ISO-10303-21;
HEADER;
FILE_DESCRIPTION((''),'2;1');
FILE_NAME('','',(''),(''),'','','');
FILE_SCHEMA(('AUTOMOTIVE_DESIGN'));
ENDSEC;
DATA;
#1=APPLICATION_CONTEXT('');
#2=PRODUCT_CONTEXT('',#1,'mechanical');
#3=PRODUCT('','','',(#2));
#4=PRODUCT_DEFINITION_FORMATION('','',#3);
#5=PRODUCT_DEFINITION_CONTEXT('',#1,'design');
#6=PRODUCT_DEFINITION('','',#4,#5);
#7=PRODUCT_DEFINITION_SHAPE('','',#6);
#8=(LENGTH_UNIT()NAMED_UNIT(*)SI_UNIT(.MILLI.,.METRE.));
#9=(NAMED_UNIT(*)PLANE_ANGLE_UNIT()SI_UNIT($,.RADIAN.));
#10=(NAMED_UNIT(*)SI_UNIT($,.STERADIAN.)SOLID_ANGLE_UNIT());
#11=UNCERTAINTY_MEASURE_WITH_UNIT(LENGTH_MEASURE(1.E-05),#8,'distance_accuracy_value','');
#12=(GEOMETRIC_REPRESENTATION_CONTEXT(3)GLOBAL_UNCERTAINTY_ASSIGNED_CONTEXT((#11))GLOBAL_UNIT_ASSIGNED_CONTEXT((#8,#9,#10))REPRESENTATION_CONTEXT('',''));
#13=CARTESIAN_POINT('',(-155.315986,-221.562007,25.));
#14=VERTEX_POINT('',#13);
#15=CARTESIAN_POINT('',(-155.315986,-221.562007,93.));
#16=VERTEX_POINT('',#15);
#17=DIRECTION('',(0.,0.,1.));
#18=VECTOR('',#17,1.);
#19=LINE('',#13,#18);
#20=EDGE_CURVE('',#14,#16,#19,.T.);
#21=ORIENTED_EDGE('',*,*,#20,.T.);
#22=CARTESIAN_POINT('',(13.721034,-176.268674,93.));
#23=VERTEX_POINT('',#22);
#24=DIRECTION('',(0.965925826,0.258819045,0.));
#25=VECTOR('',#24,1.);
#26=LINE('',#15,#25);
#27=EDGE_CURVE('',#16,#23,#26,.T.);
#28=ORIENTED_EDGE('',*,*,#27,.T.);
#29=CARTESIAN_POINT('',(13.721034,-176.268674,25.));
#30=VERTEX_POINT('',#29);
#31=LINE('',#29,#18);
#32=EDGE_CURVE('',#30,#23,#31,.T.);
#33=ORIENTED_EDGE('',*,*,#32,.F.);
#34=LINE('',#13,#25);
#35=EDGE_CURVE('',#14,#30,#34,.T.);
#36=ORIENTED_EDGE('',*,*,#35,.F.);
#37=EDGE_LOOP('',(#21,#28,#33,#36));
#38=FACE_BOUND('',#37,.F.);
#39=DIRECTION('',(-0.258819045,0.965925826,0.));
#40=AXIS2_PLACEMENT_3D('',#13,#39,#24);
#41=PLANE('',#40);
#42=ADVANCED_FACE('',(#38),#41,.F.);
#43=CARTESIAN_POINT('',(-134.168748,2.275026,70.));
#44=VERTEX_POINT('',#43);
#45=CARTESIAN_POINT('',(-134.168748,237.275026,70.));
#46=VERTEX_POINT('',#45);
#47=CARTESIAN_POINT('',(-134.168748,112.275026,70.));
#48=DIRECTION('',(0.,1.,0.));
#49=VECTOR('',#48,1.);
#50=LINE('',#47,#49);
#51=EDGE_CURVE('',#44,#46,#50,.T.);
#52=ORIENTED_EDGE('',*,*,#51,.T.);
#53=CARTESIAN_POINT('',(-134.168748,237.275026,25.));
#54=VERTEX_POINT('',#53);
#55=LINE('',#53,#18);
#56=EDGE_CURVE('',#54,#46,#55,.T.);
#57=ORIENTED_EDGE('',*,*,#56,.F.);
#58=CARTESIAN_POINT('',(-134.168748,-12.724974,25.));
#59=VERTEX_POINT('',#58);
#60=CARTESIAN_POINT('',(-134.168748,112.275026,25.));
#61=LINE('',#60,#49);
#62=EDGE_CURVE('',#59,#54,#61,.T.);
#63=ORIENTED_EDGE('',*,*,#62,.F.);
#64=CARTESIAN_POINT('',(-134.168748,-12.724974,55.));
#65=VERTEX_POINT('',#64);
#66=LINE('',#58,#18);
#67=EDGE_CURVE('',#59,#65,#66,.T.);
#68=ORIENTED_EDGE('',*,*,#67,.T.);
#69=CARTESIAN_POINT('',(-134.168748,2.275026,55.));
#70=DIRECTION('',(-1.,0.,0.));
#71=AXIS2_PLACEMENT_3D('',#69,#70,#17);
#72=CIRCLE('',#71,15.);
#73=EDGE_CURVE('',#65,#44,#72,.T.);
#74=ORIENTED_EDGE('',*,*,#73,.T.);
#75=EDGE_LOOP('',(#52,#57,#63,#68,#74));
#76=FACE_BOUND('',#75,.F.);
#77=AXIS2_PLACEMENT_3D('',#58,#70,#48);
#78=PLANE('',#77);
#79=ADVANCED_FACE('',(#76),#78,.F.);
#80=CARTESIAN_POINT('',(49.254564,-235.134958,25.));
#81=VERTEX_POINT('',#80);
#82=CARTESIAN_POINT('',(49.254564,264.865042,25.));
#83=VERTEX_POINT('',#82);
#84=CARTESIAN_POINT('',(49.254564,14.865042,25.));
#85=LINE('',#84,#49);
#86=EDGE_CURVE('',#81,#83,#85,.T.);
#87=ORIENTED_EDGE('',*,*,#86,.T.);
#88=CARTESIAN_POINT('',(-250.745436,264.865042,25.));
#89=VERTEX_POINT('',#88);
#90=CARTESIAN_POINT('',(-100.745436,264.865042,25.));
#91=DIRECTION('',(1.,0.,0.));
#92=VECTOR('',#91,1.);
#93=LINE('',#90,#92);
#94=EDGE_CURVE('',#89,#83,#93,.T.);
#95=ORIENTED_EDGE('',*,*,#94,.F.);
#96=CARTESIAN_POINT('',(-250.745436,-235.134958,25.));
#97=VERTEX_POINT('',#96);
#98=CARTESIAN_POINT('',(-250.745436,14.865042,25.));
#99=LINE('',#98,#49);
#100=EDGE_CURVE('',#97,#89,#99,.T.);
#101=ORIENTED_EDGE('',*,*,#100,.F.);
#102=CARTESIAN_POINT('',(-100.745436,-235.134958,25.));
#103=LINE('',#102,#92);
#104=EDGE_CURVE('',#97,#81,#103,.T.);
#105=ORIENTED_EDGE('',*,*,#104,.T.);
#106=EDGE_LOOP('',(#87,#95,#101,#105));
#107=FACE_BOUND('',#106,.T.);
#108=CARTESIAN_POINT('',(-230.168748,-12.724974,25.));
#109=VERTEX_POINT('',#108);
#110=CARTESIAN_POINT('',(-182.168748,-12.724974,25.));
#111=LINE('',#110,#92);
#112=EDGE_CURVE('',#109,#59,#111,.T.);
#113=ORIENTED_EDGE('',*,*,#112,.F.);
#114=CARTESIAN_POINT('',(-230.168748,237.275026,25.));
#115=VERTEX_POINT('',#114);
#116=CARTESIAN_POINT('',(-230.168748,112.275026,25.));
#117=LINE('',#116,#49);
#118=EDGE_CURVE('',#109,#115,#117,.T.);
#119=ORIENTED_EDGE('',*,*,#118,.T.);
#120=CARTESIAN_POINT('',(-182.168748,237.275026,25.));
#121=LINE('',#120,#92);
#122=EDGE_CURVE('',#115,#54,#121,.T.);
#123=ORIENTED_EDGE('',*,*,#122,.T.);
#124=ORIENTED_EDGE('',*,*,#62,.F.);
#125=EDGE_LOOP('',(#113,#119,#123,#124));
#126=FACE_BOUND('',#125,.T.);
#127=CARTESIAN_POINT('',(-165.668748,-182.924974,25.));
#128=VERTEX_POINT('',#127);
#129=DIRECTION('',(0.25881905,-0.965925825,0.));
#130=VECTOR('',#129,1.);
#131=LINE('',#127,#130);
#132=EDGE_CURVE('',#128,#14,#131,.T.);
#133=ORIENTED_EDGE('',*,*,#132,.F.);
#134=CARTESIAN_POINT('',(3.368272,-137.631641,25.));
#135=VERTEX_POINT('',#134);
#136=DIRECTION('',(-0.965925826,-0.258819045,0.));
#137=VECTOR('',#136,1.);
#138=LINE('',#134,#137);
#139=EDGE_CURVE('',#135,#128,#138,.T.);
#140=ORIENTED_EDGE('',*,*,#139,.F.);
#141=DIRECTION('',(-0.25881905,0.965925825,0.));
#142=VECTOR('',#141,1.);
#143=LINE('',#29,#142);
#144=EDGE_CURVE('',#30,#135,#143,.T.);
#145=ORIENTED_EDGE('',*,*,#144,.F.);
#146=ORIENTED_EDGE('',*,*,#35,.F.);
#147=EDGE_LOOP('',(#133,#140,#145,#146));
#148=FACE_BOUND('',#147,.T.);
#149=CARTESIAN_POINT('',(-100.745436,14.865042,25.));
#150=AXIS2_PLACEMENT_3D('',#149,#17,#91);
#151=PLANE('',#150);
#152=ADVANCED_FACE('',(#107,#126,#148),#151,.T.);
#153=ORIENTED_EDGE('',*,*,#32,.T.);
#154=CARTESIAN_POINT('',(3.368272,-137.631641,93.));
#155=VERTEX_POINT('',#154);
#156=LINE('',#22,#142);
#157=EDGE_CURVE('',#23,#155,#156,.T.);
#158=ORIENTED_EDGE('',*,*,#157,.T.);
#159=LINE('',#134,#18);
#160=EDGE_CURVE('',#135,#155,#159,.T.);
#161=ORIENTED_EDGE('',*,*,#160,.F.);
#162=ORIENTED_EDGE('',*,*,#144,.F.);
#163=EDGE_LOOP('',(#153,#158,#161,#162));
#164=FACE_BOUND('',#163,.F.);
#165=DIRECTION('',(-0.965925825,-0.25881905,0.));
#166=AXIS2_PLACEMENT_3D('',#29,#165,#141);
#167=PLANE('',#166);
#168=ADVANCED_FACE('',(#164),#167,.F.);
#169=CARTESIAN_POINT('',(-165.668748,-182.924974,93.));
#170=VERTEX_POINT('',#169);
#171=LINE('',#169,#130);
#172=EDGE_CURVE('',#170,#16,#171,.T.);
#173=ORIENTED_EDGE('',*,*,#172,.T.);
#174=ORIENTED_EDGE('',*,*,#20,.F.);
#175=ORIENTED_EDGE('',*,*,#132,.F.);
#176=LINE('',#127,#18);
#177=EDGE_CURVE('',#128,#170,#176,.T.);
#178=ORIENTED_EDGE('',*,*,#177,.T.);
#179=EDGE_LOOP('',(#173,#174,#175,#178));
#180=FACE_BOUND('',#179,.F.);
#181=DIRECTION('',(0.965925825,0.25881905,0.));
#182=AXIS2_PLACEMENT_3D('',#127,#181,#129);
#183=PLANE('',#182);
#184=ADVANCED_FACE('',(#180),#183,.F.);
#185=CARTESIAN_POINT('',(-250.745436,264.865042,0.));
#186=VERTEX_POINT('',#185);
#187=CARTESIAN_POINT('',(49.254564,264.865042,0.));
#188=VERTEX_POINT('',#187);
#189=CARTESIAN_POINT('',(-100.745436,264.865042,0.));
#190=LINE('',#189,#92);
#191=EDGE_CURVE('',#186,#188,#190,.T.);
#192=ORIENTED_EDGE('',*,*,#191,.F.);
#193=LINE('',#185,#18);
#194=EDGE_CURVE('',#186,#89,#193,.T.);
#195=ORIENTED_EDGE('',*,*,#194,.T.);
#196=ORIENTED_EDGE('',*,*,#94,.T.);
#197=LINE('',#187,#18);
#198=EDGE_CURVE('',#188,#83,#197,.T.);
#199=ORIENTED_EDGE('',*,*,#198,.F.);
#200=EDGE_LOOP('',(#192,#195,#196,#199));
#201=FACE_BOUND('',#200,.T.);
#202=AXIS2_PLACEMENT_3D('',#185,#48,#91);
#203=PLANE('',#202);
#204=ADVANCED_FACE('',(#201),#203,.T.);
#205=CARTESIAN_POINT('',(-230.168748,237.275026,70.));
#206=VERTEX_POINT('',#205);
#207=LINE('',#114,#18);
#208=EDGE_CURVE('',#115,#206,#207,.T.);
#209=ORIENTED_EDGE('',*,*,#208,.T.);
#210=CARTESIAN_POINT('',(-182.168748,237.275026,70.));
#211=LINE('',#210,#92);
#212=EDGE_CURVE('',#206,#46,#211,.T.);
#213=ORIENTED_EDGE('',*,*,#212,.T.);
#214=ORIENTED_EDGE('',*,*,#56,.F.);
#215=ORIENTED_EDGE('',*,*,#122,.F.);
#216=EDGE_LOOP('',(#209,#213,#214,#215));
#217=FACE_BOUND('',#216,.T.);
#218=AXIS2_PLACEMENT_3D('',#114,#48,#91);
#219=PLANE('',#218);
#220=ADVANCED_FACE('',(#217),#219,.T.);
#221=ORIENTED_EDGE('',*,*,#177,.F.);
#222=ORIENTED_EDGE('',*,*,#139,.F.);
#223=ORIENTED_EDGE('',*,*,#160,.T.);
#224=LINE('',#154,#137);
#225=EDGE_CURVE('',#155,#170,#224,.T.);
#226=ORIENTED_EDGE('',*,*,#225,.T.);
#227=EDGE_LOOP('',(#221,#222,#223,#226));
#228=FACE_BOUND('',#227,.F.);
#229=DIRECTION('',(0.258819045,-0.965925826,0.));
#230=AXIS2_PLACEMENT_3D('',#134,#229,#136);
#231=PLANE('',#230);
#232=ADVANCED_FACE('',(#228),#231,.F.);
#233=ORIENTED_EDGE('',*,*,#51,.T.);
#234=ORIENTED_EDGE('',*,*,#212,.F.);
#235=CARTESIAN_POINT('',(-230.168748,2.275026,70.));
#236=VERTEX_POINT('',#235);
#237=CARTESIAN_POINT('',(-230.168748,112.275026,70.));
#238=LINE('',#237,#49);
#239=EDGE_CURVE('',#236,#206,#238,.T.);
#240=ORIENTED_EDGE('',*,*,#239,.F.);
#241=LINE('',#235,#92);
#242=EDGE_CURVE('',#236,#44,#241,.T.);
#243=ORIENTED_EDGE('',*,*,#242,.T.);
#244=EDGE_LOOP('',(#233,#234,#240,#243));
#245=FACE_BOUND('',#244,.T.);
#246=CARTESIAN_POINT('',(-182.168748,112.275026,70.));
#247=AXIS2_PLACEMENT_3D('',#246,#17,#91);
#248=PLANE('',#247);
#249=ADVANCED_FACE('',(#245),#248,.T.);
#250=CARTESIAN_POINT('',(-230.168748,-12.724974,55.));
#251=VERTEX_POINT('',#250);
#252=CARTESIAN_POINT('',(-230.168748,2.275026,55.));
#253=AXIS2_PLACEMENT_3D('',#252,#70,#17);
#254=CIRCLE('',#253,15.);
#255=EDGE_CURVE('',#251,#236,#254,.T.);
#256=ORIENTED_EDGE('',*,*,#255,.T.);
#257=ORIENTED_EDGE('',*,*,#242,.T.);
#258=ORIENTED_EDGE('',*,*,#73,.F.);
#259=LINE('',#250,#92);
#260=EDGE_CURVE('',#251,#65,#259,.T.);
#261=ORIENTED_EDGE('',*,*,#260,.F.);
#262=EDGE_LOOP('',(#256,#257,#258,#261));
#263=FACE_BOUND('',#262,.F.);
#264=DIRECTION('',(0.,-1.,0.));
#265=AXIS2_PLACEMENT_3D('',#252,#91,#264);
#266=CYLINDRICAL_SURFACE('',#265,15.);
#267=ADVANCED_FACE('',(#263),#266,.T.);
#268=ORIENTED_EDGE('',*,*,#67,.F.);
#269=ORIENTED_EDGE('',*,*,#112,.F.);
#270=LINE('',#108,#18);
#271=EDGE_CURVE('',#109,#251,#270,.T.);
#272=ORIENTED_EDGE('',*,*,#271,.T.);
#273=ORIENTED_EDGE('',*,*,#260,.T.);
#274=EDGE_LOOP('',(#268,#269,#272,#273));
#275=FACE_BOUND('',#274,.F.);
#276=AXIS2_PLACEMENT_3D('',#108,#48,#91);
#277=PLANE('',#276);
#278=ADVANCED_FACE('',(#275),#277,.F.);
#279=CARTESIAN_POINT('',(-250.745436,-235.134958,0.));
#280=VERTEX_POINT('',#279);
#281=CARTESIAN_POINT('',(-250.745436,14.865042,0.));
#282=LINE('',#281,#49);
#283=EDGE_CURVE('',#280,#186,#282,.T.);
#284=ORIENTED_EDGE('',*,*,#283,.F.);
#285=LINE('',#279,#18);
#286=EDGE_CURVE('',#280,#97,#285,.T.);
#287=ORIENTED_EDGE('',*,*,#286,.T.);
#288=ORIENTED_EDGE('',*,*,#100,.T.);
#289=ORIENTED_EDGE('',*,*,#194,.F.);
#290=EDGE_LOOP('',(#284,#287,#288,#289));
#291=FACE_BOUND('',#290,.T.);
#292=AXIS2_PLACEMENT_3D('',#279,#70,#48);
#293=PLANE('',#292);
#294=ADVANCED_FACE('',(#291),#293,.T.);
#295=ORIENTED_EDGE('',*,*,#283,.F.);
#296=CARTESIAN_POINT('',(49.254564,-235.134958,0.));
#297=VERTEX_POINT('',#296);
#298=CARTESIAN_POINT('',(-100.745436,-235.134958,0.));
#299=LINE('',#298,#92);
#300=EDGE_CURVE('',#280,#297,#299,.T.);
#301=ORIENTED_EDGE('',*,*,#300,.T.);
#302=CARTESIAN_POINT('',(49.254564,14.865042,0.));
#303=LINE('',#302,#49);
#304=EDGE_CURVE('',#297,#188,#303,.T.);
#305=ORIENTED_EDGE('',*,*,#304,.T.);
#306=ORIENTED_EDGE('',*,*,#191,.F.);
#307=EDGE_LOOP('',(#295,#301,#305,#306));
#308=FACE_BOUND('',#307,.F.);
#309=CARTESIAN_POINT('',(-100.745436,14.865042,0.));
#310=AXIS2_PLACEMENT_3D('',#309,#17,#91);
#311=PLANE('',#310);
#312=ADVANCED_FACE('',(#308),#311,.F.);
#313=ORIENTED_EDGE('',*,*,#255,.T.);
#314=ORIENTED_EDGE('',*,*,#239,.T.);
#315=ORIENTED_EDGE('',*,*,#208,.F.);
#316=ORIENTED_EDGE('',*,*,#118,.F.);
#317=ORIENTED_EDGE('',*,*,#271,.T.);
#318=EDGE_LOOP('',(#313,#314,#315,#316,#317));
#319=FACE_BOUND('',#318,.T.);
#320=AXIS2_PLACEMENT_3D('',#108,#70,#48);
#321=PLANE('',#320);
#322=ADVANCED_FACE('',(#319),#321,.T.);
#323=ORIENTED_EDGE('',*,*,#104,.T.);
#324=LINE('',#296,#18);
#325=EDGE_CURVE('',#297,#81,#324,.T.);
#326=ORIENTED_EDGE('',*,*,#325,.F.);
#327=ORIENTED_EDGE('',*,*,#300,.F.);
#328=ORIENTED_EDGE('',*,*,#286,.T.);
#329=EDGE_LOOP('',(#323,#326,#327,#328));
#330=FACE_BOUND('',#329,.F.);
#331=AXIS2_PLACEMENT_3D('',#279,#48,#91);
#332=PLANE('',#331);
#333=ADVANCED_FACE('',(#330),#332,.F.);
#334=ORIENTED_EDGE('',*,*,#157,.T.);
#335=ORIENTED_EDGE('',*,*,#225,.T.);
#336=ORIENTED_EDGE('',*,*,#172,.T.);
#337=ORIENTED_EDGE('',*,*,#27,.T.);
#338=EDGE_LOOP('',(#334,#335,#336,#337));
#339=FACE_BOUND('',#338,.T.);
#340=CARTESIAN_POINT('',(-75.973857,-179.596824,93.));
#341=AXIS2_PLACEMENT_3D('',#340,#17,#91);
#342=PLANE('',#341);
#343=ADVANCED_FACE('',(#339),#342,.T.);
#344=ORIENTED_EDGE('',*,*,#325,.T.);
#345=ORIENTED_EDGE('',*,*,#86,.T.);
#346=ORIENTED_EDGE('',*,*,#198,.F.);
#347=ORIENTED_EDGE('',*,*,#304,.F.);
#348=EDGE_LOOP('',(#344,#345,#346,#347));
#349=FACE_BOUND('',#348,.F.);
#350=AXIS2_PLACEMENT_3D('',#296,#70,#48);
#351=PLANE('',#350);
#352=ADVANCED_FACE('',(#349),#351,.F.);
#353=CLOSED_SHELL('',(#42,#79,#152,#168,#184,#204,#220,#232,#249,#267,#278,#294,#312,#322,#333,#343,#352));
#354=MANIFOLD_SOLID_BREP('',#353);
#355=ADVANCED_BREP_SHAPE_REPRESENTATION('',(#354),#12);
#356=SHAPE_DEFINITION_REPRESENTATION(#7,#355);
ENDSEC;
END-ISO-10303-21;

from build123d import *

# Parameters (mm, degrees)
F0_W     = 300
F0_H     = 500
F1_DEPTH = 25
F2_W     = 96
F2_H     = 250
F3_DEPTH = 45
F5_DEPTH = 68
F6_R     = 15


with BuildPart() as f1:
    # F0 (on Top) → F1 (new body)
    with BuildSketch(Plane.XY):
        with Locations((-100.745436, 14.865042)):
            Rectangle(F0_W, F0_H)
    extrude(amount=F1_DEPTH)

    # F2 (on face) → F3 (join)
    with BuildSketch(Plane.XY.offset(25)):
        with Locations((-182.168748, 112.275026)):
            Rectangle(F2_W, F2_H)
    extrude(amount=F3_DEPTH)

    # F4 (on face) → F5 (join)
    with BuildSketch(Plane.XY.offset(25)):
        Polygon((3.368272, -137.631641), (-165.668748, -182.924974), (-155.315986, -221.562007), (13.721034, -176.268674), align=None)
    extrude(amount=F5_DEPTH)

    # F6
    f6_edges = [f1.edges().sort_by_distance(p)[0] for p in [
        (-182.168748, -12.724974, 70),
    ]]
    fillet(f6_edges, radius=F6_R)


solid = f1.part
